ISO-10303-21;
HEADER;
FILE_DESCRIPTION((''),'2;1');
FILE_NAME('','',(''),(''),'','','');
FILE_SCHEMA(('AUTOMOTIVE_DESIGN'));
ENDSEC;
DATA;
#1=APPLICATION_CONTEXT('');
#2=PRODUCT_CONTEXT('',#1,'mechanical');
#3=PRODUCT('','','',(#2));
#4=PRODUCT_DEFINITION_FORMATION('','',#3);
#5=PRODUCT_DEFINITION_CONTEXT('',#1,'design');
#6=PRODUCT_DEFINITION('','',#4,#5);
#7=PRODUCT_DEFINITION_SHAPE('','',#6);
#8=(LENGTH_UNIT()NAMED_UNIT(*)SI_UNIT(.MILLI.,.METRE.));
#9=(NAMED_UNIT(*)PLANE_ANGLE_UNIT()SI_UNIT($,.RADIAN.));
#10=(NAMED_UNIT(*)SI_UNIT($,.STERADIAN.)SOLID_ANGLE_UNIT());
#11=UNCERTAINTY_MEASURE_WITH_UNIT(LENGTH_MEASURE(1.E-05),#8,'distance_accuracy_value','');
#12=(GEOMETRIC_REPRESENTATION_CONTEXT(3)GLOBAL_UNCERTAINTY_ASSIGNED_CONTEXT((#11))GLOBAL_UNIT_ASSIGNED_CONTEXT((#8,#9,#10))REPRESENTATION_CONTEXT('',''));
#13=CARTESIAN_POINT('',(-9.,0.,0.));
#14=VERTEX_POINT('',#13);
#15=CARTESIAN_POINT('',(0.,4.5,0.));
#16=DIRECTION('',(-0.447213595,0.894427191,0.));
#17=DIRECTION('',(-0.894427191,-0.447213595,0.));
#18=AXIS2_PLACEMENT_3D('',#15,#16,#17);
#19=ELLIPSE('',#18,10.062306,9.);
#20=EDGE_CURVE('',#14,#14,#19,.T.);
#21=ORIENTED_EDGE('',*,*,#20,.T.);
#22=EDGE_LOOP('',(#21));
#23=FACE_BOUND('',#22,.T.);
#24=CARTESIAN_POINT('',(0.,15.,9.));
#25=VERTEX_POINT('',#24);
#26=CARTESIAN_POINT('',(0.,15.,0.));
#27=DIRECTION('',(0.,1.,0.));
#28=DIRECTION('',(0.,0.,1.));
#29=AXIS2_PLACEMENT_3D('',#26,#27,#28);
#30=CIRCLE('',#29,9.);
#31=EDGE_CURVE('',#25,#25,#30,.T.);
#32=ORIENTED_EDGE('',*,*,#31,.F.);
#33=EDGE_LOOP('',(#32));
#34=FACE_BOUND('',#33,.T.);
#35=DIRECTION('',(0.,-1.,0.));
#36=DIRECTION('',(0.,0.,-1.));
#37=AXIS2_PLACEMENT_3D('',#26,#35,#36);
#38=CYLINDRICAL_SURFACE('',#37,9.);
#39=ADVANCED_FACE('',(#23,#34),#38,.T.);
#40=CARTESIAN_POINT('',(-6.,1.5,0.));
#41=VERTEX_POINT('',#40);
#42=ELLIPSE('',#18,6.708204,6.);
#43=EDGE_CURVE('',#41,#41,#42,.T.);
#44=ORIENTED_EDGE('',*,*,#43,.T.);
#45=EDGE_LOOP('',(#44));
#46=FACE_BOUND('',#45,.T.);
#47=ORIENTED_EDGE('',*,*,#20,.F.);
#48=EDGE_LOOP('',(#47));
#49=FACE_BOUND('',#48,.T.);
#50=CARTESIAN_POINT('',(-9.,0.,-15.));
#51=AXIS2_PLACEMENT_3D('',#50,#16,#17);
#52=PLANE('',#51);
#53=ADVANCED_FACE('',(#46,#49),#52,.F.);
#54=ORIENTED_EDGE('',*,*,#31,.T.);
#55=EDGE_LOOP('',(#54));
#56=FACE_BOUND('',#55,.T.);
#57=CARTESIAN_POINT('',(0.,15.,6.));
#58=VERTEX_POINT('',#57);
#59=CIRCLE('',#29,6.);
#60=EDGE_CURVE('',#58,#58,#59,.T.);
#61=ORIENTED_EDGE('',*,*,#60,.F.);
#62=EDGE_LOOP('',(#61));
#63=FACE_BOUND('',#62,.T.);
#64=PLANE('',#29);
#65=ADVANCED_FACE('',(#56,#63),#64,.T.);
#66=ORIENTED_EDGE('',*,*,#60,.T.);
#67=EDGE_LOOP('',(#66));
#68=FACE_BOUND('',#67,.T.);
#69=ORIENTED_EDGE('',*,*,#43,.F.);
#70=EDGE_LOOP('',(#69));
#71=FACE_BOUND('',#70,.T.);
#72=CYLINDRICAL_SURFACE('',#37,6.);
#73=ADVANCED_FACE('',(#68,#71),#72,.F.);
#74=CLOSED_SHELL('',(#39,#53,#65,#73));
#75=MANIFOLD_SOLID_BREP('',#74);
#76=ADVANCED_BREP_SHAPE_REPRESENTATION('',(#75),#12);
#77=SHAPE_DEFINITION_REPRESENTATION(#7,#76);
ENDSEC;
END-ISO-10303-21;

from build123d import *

# Parameters (mm, degrees)
SKETCH1_R           = 9
SKETCH1_R_2         = 6
BOSS_EXTRUDE1_DEPTH = 15
CUT_EXTRUDE1_DEPTH  = 15


with BuildPart() as part:
    # Sketch1 → Boss-Extrude1 (new body)
    with BuildSketch(Plane(origin=(0, 0, 0), x_dir=(1, 0, 0), z_dir=(0, 1, 0))):
        with Locations(Location((0, 0, 0), (0, 0, 270))):
            Circle(SKETCH1_R)
        with Locations(Location((0, 0, 0), (0, 0, 270))):
            Circle(SKETCH1_R_2, mode=Mode.SUBTRACT)
    extrude(amount=BOSS_EXTRUDE1_DEPTH)

    # Sketch3 → Cut-Extrude1 (cut, symmetric)
    with BuildSketch(Plane.XY):
        Polygon((-9, 0), (9, 9), (9, 0), align=None)
    extrude(amount=CUT_EXTRUDE1_DEPTH, both=True, mode=Mode.SUBTRACT)


solid = part.part
